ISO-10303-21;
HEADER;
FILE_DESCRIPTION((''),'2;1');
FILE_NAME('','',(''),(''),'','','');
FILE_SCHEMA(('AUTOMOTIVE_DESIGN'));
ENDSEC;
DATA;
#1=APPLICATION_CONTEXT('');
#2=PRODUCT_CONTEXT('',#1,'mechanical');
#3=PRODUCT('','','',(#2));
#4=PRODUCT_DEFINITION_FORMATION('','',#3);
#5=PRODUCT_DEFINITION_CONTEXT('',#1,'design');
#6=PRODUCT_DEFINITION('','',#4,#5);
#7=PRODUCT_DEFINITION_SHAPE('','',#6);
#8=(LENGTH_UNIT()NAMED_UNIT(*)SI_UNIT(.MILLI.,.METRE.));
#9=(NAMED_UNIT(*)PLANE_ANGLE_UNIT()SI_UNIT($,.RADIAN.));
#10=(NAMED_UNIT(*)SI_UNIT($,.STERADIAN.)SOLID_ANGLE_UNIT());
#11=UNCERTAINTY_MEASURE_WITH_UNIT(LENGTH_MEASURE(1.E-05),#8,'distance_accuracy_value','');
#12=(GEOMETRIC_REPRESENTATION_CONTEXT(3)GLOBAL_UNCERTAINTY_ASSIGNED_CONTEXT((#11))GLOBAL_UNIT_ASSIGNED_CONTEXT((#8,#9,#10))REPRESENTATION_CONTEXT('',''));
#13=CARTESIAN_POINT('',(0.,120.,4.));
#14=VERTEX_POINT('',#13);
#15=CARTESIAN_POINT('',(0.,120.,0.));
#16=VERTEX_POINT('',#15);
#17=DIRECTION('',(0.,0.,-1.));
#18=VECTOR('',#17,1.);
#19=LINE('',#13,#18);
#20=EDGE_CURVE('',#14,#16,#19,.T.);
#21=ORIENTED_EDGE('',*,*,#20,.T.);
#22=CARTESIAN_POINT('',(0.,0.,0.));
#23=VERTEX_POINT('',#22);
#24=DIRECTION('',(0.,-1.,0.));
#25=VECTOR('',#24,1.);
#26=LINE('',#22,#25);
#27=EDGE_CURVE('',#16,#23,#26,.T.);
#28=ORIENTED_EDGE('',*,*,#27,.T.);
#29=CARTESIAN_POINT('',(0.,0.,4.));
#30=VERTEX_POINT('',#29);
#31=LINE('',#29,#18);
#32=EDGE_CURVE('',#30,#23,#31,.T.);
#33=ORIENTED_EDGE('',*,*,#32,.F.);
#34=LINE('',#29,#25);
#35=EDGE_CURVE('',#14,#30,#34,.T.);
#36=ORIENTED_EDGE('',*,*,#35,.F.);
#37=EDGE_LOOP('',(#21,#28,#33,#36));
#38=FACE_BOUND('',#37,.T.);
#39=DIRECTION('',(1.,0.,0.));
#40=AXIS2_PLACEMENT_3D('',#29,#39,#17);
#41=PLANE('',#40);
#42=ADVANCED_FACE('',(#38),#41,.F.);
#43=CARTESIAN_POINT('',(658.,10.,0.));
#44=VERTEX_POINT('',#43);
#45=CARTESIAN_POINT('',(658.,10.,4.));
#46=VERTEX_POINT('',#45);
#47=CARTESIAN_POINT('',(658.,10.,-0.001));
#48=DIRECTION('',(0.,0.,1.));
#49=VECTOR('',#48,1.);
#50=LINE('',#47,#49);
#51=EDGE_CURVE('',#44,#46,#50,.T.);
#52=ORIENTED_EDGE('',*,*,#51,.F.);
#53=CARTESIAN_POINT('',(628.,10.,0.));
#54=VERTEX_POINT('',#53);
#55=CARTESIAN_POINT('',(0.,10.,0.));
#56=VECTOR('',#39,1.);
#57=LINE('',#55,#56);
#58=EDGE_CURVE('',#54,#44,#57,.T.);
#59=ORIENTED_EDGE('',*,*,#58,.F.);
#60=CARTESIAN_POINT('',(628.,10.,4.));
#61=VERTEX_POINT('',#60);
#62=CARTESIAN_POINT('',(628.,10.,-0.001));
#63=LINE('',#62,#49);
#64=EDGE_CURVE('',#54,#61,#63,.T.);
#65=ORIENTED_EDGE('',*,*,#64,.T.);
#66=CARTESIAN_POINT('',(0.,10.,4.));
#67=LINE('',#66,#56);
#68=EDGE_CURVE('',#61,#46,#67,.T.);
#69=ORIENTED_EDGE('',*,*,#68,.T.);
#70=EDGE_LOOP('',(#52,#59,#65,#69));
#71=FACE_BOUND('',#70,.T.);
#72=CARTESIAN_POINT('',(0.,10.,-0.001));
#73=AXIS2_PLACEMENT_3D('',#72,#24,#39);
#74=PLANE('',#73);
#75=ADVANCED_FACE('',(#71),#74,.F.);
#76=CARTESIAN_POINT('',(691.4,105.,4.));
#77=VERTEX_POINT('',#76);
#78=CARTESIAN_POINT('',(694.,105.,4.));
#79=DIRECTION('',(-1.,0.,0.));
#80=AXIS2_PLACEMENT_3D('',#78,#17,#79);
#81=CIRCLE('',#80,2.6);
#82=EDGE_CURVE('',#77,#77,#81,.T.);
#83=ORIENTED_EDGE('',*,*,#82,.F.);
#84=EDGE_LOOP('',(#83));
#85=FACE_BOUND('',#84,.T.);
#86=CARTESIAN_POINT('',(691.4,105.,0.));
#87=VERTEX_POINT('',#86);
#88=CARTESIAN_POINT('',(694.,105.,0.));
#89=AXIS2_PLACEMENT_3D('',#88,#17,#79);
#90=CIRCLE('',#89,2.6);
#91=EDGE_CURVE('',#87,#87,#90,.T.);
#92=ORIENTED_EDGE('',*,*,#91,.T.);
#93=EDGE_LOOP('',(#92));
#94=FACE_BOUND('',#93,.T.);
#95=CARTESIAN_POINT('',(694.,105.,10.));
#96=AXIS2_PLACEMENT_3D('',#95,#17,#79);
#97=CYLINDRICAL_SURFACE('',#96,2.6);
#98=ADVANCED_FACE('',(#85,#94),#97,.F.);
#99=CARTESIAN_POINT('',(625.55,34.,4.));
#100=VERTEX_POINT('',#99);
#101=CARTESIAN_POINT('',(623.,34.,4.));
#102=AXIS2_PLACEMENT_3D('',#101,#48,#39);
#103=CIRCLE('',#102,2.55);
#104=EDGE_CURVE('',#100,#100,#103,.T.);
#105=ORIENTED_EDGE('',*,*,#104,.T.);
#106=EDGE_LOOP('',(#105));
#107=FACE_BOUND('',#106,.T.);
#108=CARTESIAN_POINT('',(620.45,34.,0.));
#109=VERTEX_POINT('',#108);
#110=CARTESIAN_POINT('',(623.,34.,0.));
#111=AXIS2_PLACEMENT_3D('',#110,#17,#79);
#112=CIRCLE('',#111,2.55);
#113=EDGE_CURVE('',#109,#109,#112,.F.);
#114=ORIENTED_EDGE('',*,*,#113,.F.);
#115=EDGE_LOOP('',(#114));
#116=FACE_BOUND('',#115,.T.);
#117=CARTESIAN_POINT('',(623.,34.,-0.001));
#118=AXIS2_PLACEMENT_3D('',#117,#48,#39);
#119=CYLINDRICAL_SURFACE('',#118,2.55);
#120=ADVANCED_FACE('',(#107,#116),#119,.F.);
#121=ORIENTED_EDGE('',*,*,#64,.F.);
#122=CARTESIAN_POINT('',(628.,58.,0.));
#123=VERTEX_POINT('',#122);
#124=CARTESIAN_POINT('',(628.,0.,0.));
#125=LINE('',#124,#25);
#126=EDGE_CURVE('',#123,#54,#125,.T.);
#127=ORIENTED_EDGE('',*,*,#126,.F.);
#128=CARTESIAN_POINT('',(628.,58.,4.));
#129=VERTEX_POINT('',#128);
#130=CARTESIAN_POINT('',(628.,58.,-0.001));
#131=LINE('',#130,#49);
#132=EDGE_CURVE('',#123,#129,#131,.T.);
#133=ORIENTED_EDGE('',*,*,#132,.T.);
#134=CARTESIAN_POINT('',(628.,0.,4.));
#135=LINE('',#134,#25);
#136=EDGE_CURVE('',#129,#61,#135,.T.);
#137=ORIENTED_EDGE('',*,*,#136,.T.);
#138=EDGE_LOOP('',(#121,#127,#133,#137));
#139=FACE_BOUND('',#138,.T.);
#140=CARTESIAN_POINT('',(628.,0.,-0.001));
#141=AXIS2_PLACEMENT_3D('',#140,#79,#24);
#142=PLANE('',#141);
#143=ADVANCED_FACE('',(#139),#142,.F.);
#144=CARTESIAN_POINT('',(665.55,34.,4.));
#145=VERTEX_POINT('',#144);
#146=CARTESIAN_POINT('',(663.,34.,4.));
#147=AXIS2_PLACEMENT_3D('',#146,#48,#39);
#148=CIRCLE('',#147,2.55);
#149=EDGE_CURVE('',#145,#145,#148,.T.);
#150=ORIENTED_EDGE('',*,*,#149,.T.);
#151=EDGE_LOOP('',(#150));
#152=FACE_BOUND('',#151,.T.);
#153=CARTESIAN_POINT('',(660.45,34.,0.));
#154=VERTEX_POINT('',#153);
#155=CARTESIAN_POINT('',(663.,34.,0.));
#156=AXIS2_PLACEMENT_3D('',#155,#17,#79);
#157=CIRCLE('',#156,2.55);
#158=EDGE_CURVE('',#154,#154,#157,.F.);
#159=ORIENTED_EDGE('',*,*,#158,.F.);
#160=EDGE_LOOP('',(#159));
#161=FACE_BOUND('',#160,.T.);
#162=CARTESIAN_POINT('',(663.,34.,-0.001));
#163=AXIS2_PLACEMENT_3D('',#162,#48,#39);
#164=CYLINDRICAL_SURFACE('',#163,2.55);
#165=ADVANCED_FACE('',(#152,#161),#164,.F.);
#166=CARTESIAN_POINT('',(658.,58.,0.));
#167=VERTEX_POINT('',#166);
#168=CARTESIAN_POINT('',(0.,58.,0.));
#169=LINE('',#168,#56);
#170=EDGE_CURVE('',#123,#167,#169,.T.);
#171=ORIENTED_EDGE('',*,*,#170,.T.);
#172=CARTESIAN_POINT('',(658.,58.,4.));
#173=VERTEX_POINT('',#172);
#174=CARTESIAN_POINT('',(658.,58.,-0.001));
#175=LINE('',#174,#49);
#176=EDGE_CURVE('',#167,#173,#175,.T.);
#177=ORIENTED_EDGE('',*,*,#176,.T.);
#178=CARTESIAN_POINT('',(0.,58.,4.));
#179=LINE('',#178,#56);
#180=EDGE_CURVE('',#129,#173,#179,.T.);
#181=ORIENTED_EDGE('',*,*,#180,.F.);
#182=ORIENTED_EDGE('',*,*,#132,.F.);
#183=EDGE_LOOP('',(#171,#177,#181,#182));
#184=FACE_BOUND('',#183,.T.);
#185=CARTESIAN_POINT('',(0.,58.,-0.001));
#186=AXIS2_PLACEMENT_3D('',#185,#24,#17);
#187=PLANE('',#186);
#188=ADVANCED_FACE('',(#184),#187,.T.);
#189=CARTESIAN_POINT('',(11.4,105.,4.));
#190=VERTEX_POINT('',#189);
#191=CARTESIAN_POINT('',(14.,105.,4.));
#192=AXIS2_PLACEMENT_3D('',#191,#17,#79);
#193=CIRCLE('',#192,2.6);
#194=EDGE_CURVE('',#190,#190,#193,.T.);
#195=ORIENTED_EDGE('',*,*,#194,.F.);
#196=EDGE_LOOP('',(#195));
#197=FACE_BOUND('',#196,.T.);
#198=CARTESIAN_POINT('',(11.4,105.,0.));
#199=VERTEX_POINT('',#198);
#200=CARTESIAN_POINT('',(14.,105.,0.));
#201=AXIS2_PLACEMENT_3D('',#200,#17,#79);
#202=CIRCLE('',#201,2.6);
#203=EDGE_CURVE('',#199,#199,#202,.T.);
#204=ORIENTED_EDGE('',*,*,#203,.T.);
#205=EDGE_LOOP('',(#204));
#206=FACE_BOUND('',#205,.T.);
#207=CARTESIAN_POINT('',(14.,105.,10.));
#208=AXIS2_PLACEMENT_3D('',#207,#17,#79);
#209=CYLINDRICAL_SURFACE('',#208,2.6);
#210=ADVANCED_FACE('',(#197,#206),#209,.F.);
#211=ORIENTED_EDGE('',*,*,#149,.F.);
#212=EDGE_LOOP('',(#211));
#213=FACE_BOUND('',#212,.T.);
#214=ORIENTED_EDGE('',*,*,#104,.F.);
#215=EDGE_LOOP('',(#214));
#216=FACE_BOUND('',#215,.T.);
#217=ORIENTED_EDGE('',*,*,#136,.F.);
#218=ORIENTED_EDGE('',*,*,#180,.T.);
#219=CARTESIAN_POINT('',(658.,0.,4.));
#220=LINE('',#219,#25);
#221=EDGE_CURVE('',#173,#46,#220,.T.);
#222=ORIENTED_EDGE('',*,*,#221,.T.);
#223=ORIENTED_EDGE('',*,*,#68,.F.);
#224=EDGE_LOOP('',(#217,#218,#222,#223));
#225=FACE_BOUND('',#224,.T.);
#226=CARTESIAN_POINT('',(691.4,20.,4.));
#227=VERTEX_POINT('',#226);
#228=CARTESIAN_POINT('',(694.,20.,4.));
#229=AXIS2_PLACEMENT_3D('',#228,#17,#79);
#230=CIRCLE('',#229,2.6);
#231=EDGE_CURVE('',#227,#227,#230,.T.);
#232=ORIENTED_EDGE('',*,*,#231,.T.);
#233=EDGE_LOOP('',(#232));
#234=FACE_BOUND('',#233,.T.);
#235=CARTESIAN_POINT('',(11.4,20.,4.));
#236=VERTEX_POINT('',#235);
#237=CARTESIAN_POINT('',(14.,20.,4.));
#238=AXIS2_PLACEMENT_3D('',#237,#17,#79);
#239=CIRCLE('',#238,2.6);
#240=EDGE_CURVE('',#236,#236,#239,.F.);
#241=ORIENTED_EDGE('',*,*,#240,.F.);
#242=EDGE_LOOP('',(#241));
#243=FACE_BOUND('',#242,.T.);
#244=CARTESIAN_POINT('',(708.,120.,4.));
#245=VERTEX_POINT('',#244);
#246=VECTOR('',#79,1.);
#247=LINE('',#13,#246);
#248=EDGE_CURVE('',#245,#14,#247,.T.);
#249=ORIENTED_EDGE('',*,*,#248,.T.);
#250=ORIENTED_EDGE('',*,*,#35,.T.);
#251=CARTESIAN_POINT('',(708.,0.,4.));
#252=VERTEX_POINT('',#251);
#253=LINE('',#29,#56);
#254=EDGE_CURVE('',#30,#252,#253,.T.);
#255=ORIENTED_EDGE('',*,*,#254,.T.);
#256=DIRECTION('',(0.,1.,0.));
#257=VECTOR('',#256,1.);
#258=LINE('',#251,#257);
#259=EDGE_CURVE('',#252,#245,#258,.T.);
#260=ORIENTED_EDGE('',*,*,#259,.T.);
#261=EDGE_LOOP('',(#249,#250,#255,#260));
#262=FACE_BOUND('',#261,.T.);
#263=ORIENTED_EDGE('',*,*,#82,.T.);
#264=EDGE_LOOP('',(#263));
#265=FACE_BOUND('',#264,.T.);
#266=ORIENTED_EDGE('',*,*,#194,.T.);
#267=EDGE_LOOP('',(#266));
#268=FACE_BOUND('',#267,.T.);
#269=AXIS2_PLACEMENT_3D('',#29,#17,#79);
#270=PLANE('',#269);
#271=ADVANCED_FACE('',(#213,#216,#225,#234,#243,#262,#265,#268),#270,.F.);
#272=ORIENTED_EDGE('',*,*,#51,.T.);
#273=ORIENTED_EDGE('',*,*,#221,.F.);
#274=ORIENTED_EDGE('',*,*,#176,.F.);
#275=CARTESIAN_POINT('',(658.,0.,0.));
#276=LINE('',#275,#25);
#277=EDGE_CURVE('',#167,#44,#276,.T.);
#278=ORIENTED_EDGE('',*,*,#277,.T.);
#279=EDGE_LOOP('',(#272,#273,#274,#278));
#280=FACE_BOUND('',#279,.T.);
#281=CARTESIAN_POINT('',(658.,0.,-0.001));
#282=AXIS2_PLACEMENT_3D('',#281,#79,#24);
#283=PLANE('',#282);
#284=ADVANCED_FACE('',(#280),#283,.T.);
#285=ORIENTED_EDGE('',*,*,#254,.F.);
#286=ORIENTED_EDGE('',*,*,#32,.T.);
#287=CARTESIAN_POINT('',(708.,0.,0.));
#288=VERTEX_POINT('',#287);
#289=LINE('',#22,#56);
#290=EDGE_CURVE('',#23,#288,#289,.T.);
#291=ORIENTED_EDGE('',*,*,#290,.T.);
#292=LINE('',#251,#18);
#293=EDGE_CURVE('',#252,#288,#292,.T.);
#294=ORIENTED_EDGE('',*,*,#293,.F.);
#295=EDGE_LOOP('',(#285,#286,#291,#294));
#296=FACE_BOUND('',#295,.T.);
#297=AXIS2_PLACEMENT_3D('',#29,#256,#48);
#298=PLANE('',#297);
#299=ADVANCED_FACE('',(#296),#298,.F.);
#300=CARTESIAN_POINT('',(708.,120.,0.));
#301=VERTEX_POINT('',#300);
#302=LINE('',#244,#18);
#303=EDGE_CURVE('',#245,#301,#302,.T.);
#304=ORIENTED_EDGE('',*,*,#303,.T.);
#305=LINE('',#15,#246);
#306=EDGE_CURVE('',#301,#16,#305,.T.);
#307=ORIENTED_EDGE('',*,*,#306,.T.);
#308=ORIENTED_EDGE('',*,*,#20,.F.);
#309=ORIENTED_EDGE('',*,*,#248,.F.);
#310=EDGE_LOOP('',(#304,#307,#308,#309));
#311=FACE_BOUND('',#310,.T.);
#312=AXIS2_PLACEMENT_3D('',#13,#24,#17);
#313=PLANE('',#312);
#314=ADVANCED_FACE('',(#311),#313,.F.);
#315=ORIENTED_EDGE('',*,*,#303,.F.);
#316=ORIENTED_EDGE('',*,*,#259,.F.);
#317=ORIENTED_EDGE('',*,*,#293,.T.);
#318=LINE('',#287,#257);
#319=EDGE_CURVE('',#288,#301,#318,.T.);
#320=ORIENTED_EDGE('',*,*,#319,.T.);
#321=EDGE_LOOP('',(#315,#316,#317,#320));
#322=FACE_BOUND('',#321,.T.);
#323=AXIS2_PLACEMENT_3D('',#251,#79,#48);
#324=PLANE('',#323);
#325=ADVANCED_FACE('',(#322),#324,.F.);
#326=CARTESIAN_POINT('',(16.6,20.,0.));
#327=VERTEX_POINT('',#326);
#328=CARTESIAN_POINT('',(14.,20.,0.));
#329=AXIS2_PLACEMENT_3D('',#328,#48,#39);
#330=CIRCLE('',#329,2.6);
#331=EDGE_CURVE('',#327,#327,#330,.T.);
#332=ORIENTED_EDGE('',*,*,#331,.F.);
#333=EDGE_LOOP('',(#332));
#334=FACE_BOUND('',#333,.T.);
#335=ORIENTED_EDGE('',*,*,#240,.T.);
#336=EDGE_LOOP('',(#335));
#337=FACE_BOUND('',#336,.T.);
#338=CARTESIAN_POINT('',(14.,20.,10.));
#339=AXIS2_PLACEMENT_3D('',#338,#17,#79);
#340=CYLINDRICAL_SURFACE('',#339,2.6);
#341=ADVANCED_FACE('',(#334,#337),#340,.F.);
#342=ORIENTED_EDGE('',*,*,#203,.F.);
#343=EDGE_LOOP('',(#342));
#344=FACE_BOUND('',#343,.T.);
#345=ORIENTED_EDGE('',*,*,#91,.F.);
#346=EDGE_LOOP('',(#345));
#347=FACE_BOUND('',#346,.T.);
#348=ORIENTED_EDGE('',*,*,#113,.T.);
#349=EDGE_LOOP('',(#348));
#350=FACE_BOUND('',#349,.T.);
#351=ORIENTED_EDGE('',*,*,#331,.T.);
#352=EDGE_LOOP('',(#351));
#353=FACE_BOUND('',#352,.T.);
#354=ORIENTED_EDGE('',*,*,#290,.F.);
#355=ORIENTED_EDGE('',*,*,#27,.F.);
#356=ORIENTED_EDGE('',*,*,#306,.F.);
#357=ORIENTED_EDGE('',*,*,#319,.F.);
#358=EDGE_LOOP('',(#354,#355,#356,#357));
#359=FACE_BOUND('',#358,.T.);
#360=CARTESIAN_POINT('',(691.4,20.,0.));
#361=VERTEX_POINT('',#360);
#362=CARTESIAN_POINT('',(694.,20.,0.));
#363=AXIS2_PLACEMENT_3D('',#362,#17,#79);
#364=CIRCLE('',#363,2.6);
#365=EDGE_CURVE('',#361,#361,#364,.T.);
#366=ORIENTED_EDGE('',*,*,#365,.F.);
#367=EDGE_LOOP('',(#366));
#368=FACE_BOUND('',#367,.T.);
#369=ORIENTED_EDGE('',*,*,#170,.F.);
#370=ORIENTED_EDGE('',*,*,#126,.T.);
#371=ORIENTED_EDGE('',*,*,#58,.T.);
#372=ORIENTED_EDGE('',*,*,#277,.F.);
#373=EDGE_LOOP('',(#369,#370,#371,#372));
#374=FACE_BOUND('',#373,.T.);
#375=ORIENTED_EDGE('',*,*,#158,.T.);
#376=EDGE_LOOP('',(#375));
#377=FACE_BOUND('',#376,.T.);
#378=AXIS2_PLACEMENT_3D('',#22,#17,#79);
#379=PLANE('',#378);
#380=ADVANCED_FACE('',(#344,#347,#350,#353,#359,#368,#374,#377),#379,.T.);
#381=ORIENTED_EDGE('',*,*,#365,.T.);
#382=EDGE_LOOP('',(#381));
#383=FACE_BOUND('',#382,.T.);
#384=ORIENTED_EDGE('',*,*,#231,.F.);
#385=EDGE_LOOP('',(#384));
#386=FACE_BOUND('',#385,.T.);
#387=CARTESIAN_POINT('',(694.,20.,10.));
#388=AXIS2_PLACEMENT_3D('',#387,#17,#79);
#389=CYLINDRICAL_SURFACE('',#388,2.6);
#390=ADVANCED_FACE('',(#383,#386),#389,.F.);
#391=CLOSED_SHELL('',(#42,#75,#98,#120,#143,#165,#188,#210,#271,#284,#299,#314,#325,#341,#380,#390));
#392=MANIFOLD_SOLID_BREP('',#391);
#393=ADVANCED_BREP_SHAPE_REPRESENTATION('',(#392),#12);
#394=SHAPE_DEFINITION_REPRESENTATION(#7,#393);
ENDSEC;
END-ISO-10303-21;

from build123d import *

# Parameters (mm, degrees)
SKETCH1_W           = 708
SKETCH1_H           = 120
BOSS_EXTRUDE1_DEPTH = 4
CUT_EXTRUDE1_REACH  = 720.109
SKETCH2_R           = 2.55
SKETCH2_W           = 30
SKETCH2_H           = 48
SKETCH5_R           = 2.6
CUT_EXTRUDE3_DEPTH  = 10
SKETCH6_R           = 2.6
CUT_EXTRUDE4_DEPTH  = 10


with BuildPart() as part:
    # Sketch1 → Boss-Extrude1 (new body)
    with BuildSketch(Plane.XY):
        with Locations((354, 60)):
            Rectangle(SKETCH1_W, SKETCH1_H)
    extrude(amount=BOSS_EXTRUDE1_DEPTH)

    # Sketch2 → Cut-Extrude1 (cut, up to next)
    with BuildSketch(Plane.XY.offset(4), mode=Mode.PRIVATE) as cut_extrude1_sk1:
        with Locations((623, 34)):
            Circle(SKETCH2_R)
    cut_extrude1_tool1 = extrude(cut_extrude1_sk1.sketch, amount=-CUT_EXTRUDE1_REACH, mode=Mode.PRIVATE) & part.part
    # Sketch2 → Cut-Extrude1 (cut, up to next)
    with BuildSketch(Plane.XY.offset(4), mode=Mode.PRIVATE) as cut_extrude1_sk2:
        with Locations((663, 34)):
            Circle(SKETCH2_R)
    cut_extrude1_tool2 = extrude(cut_extrude1_sk2.sketch, amount=-CUT_EXTRUDE1_REACH, mode=Mode.PRIVATE) & part.part
    # Sketch2 → Cut-Extrude1 (cut, up to next)
    with BuildSketch(Plane.XY.offset(4), mode=Mode.PRIVATE) as cut_extrude1_sk3:
        with Locations((643, 34)):
            Rectangle(SKETCH2_W, SKETCH2_H)
    cut_extrude1_tool3 = extrude(cut_extrude1_sk3.sketch, amount=-CUT_EXTRUDE1_REACH, mode=Mode.PRIVATE) & part.part
    add(cut_extrude1_tool1.solids().sort_by_distance((623, 34, 4))[0], mode=Mode.SUBTRACT)
    add(cut_extrude1_tool2.solids().sort_by_distance((663, 34, 4))[0], mode=Mode.SUBTRACT)
    add(cut_extrude1_tool3.solids().sort_by_distance((643, 34, 4))[0], mode=Mode.SUBTRACT)

    # Sketch5 → Cut-Extrude3 (cut)
    with BuildSketch(Plane(origin=(0, 0, 0), x_dir=(-1, 0, 0), z_dir=(0, 0, -1))):
        with Locations((-694, 105)):
            Circle(SKETCH5_R)
        with Locations((-14, 105)):
            Circle(SKETCH5_R)
    extrude(amount=-CUT_EXTRUDE3_DEPTH, mode=Mode.SUBTRACT)

    # Sketch6 → Cut-Extrude4 (cut)
    with BuildSketch(Plane(origin=(0, 0, 0), x_dir=(-1, 0, 0), z_dir=(0, 0, -1))):
        with Locations((-694, 20)):
            Circle(SKETCH6_R)
    cut_extrude4 = extrude(amount=-CUT_EXTRUDE4_DEPTH, mode=Mode.SUBTRACT)

    # Mirror7: Cut-Extrude4 across plane
    add(cut_extrude4.mirror(Plane(origin=(354, 0, 0), x_dir=(0, 0, 1), z_dir=(1, 0, 0))), mode=Mode.SUBTRACT)


solid = part.part
